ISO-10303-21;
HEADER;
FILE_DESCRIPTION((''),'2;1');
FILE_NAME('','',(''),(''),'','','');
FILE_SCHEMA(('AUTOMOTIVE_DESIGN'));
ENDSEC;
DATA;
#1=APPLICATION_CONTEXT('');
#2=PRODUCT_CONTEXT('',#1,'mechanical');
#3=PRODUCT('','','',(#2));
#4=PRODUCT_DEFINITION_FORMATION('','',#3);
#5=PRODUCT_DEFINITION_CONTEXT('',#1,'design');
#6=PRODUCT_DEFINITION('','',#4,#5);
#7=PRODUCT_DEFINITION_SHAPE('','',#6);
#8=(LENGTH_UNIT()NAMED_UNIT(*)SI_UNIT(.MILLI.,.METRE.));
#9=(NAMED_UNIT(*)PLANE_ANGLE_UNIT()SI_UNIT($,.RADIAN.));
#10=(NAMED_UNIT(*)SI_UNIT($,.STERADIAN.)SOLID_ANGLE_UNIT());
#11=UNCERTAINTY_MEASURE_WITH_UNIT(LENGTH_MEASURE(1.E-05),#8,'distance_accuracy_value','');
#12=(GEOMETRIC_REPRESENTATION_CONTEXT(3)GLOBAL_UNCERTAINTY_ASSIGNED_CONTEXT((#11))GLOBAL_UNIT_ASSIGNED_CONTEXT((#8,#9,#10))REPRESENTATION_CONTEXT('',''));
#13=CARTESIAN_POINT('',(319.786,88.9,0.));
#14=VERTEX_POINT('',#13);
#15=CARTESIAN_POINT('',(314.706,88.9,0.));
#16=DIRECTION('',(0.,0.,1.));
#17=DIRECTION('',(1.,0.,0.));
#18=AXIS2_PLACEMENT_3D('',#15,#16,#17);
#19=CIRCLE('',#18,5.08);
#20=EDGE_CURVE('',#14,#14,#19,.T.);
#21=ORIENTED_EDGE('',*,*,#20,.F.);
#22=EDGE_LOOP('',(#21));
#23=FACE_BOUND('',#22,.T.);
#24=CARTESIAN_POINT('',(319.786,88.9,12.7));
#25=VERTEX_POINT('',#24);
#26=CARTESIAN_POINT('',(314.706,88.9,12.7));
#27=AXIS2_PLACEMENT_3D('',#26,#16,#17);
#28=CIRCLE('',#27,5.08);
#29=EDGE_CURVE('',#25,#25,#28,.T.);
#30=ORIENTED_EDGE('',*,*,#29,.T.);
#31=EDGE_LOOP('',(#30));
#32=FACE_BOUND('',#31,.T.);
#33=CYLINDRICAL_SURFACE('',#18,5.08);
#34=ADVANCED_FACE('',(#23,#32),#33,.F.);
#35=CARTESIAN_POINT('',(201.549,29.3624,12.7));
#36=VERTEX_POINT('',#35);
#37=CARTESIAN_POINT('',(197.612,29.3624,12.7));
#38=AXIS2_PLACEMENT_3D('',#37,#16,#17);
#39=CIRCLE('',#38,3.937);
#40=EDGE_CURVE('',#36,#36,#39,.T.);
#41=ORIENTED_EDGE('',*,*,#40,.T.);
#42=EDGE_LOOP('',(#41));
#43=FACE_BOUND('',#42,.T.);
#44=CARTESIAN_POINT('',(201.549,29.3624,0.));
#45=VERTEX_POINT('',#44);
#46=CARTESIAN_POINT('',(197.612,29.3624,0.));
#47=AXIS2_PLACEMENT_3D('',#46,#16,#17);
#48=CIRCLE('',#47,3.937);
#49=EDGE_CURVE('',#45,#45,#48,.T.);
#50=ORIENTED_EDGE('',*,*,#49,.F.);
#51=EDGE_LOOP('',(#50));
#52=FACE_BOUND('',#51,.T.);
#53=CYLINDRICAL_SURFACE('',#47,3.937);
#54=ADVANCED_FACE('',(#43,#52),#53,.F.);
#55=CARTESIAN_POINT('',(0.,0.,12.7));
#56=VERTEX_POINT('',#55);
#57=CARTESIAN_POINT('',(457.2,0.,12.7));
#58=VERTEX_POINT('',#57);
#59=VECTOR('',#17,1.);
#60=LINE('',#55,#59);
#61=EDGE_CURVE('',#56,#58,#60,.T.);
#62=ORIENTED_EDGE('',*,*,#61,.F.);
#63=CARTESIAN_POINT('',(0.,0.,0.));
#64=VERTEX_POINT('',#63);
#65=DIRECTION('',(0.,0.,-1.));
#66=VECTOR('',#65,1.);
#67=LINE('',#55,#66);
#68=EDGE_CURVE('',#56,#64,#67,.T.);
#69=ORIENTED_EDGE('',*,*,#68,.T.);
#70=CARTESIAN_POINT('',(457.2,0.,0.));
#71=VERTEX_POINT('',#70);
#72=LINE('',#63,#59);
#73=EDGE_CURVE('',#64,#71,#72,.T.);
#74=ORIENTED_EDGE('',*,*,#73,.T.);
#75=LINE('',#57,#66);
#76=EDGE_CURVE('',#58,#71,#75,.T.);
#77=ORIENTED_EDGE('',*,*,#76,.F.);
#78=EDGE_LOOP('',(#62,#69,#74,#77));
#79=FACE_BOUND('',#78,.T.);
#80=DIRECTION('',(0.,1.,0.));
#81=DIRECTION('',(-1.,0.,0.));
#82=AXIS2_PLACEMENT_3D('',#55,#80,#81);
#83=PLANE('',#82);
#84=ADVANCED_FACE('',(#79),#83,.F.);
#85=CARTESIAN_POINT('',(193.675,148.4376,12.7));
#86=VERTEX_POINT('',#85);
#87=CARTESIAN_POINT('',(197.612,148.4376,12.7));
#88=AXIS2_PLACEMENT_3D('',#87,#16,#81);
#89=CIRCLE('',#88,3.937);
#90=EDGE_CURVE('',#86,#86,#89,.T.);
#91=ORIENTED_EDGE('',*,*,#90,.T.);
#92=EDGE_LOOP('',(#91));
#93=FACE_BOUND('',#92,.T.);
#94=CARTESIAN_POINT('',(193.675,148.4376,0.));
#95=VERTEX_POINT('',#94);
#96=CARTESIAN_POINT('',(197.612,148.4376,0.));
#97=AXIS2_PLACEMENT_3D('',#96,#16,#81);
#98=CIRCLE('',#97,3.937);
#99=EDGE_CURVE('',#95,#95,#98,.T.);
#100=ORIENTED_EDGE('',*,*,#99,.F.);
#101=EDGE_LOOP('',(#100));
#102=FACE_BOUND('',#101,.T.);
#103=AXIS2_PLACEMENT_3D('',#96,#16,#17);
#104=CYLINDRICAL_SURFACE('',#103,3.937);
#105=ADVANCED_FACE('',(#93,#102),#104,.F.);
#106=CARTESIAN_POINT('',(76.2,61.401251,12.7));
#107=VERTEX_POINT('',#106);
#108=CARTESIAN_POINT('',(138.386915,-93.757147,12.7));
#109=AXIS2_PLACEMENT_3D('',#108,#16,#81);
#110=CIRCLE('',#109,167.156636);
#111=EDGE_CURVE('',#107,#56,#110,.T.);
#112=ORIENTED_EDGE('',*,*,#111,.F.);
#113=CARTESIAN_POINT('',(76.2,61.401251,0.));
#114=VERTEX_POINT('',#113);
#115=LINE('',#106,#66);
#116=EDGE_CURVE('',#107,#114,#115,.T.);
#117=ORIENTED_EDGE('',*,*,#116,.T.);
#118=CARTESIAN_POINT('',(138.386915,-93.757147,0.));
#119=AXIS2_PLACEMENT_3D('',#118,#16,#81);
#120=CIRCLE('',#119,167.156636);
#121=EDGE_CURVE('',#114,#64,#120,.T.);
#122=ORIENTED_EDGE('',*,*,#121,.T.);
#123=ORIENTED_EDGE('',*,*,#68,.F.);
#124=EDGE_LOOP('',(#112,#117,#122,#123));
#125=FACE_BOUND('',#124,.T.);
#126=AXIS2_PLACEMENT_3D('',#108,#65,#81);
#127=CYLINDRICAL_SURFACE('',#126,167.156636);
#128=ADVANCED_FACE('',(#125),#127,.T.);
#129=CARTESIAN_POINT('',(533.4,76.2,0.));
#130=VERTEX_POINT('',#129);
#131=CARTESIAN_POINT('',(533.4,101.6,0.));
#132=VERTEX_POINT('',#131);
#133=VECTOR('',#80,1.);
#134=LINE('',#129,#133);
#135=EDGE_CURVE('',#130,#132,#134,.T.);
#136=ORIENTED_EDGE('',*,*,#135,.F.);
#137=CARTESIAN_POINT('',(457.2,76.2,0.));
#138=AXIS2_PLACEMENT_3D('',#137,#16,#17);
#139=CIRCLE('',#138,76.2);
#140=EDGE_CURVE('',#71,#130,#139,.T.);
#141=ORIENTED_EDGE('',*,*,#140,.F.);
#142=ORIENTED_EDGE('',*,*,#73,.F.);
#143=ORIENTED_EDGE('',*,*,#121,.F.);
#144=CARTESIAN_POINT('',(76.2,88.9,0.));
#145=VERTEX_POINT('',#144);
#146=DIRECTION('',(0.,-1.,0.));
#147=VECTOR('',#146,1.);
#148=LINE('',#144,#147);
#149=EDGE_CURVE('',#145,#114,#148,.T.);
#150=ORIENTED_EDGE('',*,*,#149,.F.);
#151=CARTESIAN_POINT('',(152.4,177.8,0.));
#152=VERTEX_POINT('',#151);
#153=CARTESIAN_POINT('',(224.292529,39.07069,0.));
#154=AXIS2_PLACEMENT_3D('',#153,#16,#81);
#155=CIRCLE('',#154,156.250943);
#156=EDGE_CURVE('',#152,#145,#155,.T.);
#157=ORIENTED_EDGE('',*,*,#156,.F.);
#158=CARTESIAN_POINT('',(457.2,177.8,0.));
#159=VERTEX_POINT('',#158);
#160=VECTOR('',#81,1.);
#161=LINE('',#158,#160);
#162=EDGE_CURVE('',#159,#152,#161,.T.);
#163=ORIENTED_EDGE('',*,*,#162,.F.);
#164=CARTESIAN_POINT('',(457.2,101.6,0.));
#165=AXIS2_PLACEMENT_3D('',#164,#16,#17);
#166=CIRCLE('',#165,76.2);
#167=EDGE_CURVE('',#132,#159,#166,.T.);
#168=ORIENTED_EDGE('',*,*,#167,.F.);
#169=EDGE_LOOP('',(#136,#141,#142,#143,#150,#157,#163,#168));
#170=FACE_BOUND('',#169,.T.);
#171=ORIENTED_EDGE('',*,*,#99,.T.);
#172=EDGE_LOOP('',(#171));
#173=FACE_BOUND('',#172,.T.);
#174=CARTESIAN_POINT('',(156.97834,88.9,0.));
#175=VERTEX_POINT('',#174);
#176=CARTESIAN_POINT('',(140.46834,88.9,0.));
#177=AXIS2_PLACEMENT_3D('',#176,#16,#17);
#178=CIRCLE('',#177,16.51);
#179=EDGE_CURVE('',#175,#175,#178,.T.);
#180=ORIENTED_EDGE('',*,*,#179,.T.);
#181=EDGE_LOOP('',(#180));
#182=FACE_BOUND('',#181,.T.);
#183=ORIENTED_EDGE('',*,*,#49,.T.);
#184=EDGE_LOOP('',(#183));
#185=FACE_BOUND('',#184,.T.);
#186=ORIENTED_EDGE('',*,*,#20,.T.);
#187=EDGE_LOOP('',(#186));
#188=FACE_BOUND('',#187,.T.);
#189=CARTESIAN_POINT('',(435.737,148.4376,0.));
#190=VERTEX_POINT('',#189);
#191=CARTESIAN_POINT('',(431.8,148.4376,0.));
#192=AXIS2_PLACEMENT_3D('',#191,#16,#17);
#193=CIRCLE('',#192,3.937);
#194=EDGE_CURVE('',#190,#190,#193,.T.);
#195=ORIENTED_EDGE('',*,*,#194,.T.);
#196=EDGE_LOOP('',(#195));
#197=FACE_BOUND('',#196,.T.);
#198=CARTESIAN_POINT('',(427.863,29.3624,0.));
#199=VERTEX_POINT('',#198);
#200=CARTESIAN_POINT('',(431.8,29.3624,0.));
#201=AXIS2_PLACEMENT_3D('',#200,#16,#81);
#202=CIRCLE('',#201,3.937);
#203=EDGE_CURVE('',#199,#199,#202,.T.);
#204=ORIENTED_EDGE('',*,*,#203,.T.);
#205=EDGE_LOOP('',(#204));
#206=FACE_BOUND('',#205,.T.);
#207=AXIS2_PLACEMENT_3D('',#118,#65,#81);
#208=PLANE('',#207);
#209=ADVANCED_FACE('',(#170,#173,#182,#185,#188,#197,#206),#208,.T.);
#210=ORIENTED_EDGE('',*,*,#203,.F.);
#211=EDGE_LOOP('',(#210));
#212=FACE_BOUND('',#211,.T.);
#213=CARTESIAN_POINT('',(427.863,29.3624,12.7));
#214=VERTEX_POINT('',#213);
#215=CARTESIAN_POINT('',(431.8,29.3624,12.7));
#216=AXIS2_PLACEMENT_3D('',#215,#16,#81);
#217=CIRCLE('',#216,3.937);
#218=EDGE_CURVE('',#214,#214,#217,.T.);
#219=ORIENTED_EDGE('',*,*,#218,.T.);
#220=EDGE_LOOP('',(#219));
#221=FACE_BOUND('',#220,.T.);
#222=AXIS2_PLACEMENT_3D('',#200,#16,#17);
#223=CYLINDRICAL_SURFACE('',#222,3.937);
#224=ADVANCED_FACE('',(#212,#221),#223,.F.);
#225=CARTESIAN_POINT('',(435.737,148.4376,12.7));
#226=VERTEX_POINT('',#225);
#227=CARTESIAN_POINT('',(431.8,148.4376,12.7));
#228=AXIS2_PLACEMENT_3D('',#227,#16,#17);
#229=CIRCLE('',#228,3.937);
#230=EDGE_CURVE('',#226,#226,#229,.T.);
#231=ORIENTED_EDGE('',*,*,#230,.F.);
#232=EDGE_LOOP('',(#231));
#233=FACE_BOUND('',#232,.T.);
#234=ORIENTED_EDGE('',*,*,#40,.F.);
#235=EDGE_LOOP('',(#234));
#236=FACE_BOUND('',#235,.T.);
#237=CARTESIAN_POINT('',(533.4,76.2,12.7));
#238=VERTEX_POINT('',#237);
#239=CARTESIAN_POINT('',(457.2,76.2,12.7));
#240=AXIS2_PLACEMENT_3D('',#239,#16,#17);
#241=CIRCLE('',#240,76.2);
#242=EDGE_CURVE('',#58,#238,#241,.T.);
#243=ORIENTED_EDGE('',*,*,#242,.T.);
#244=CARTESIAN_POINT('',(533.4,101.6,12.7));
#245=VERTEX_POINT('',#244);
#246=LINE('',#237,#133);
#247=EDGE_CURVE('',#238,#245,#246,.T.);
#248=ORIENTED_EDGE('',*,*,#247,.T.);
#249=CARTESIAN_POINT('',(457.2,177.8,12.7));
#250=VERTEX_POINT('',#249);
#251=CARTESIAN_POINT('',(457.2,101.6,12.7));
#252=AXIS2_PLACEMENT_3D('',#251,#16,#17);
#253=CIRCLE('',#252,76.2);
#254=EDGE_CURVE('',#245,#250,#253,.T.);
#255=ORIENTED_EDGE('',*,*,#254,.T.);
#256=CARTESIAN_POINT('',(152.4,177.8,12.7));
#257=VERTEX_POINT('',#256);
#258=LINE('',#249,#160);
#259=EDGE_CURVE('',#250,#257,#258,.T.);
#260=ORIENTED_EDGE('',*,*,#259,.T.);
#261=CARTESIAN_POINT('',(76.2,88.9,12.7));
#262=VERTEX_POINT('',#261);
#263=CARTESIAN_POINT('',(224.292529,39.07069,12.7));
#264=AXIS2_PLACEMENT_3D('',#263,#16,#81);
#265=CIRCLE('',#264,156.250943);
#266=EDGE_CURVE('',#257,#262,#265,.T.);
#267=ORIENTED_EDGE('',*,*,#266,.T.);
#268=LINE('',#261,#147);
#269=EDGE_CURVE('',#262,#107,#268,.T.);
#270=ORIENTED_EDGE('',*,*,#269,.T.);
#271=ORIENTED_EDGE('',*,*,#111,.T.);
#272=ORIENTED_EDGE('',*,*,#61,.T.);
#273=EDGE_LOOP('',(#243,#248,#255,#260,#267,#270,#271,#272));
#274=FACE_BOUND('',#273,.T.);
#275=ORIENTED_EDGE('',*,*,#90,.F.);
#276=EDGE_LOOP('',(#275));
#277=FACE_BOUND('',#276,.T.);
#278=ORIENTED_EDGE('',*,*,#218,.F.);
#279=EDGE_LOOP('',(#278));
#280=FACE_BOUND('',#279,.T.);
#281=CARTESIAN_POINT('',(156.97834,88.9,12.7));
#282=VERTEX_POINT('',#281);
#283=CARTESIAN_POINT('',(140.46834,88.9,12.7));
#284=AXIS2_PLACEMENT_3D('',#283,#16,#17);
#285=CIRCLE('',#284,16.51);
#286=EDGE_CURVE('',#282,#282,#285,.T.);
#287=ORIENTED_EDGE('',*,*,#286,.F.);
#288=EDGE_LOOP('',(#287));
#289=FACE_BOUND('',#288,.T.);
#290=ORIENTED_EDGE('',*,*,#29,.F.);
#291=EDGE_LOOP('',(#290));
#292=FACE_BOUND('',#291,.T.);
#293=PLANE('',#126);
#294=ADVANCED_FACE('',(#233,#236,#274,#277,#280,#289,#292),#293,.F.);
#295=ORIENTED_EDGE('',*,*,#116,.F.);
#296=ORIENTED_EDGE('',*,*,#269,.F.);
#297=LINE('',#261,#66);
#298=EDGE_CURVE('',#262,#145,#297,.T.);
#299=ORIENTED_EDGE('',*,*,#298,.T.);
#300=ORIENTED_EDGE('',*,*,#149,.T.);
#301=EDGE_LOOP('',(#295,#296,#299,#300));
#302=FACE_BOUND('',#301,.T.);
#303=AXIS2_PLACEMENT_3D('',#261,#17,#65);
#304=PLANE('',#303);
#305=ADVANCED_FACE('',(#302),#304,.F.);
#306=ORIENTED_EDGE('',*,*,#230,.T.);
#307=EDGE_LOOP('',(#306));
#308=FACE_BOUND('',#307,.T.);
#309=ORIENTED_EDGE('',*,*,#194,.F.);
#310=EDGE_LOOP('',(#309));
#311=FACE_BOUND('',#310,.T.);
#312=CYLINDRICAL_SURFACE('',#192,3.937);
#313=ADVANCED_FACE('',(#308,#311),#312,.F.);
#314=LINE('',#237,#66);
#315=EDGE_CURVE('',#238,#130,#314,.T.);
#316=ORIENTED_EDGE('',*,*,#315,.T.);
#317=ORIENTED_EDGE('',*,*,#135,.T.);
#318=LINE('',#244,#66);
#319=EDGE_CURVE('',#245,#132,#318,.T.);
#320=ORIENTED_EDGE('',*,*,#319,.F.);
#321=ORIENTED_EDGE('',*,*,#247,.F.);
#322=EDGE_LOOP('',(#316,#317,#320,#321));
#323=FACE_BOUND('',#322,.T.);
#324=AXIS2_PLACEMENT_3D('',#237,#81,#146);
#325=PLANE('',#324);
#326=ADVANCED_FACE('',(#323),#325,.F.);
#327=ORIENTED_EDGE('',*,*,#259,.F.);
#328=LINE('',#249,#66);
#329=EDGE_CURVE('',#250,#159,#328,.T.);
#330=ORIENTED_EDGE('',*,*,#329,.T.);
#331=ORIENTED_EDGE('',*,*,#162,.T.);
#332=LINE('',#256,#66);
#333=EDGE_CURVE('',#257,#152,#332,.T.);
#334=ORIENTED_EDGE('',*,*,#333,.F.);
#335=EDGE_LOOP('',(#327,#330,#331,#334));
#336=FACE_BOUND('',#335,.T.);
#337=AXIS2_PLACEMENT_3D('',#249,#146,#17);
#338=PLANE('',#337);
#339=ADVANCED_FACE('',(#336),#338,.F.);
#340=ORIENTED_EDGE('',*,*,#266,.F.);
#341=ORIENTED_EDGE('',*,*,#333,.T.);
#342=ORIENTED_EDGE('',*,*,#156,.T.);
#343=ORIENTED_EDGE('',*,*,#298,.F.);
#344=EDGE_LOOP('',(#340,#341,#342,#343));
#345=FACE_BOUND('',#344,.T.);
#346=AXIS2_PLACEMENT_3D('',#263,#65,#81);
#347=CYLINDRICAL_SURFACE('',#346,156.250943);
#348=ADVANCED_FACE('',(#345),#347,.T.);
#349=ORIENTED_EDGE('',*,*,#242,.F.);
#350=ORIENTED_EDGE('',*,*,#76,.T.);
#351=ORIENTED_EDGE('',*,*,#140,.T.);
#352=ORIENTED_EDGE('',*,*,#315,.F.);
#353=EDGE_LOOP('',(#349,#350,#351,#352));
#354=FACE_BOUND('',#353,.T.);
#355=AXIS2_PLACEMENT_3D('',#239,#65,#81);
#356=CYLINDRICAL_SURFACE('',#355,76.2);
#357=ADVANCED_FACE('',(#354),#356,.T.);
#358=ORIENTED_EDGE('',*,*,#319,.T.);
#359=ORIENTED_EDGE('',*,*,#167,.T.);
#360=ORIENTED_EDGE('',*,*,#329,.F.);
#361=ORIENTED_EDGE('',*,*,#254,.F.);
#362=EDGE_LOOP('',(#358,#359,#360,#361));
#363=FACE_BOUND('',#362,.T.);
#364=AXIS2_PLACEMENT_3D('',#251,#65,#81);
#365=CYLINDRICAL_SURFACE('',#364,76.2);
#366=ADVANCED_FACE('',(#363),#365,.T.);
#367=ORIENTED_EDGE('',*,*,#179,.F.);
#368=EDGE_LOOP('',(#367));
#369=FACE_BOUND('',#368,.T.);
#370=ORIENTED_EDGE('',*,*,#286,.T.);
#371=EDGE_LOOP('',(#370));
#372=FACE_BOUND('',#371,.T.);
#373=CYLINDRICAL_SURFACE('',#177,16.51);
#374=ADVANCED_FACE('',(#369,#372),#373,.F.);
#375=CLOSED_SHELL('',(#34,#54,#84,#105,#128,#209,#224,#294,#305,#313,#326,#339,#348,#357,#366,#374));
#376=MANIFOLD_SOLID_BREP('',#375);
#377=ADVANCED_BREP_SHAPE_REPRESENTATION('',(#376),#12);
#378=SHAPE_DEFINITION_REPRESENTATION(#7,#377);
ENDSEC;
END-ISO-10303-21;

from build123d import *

# Parameters (mm, degrees)
BOSS_EXTRUDE1_DEPTH = 12.7
SKETCH4_R           = 5.08
SKETCH4_R_2         = 3.937
SKETCH4_R_3         = 16.51
CUT_EXTRUDE2_DEPTH  = 563.396381567


with BuildPart() as part:
    # Sketch2 → Boss-Extrude1 (new body)
    with BuildSketch(Plane.XY):
        with BuildLine():
            Line((0, 0), (457.2, 0))
            ThreePointArc((457.2, 0), (511.081536726, 22.318463274), (533.4, 76.2))
            Line((533.4, 76.2), (533.4, 101.6))
            ThreePointArc((533.4, 101.6), (511.081536726, 155.481536726), (457.2, 177.8))
            Line((457.2, 177.8), (152.4, 177.8))
            ThreePointArc((152.4, 177.8), (105.657968509, 140.757455564), (76.2, 88.9))
            Line((76.2, 88.9), (76.2, 61.401251199))
            ThreePointArc((76.2, 61.401251199), (33.506060073, 36.401783403), (0, 0))
        make_face()
    extrude(amount=BOSS_EXTRUDE1_DEPTH)

    # Sketch4 → Cut-Extrude2 (cut, through all)
    with BuildSketch(Plane.XY.offset(12.7)):
        with Locations((314.706, 88.9)):
            Circle(SKETCH4_R)
        with Locations((431.8, 148.4376)):
            Circle(SKETCH4_R_2)
        with Locations((140.468339853, 88.9)):
            Circle(SKETCH4_R_3)
        with Locations(Location((197.612, 148.4376, 0), (0, 0, 180))):
            Circle(SKETCH4_R_2)
        with Locations((197.612, 29.3624)):
            Circle(SKETCH4_R_2)
        with Locations(Location((431.8, 29.3624, 0), (0, 0, 180))):
            Circle(SKETCH4_R_2)
    extrude(amount=-CUT_EXTRUDE2_DEPTH, mode=Mode.SUBTRACT)


solid = part.part
